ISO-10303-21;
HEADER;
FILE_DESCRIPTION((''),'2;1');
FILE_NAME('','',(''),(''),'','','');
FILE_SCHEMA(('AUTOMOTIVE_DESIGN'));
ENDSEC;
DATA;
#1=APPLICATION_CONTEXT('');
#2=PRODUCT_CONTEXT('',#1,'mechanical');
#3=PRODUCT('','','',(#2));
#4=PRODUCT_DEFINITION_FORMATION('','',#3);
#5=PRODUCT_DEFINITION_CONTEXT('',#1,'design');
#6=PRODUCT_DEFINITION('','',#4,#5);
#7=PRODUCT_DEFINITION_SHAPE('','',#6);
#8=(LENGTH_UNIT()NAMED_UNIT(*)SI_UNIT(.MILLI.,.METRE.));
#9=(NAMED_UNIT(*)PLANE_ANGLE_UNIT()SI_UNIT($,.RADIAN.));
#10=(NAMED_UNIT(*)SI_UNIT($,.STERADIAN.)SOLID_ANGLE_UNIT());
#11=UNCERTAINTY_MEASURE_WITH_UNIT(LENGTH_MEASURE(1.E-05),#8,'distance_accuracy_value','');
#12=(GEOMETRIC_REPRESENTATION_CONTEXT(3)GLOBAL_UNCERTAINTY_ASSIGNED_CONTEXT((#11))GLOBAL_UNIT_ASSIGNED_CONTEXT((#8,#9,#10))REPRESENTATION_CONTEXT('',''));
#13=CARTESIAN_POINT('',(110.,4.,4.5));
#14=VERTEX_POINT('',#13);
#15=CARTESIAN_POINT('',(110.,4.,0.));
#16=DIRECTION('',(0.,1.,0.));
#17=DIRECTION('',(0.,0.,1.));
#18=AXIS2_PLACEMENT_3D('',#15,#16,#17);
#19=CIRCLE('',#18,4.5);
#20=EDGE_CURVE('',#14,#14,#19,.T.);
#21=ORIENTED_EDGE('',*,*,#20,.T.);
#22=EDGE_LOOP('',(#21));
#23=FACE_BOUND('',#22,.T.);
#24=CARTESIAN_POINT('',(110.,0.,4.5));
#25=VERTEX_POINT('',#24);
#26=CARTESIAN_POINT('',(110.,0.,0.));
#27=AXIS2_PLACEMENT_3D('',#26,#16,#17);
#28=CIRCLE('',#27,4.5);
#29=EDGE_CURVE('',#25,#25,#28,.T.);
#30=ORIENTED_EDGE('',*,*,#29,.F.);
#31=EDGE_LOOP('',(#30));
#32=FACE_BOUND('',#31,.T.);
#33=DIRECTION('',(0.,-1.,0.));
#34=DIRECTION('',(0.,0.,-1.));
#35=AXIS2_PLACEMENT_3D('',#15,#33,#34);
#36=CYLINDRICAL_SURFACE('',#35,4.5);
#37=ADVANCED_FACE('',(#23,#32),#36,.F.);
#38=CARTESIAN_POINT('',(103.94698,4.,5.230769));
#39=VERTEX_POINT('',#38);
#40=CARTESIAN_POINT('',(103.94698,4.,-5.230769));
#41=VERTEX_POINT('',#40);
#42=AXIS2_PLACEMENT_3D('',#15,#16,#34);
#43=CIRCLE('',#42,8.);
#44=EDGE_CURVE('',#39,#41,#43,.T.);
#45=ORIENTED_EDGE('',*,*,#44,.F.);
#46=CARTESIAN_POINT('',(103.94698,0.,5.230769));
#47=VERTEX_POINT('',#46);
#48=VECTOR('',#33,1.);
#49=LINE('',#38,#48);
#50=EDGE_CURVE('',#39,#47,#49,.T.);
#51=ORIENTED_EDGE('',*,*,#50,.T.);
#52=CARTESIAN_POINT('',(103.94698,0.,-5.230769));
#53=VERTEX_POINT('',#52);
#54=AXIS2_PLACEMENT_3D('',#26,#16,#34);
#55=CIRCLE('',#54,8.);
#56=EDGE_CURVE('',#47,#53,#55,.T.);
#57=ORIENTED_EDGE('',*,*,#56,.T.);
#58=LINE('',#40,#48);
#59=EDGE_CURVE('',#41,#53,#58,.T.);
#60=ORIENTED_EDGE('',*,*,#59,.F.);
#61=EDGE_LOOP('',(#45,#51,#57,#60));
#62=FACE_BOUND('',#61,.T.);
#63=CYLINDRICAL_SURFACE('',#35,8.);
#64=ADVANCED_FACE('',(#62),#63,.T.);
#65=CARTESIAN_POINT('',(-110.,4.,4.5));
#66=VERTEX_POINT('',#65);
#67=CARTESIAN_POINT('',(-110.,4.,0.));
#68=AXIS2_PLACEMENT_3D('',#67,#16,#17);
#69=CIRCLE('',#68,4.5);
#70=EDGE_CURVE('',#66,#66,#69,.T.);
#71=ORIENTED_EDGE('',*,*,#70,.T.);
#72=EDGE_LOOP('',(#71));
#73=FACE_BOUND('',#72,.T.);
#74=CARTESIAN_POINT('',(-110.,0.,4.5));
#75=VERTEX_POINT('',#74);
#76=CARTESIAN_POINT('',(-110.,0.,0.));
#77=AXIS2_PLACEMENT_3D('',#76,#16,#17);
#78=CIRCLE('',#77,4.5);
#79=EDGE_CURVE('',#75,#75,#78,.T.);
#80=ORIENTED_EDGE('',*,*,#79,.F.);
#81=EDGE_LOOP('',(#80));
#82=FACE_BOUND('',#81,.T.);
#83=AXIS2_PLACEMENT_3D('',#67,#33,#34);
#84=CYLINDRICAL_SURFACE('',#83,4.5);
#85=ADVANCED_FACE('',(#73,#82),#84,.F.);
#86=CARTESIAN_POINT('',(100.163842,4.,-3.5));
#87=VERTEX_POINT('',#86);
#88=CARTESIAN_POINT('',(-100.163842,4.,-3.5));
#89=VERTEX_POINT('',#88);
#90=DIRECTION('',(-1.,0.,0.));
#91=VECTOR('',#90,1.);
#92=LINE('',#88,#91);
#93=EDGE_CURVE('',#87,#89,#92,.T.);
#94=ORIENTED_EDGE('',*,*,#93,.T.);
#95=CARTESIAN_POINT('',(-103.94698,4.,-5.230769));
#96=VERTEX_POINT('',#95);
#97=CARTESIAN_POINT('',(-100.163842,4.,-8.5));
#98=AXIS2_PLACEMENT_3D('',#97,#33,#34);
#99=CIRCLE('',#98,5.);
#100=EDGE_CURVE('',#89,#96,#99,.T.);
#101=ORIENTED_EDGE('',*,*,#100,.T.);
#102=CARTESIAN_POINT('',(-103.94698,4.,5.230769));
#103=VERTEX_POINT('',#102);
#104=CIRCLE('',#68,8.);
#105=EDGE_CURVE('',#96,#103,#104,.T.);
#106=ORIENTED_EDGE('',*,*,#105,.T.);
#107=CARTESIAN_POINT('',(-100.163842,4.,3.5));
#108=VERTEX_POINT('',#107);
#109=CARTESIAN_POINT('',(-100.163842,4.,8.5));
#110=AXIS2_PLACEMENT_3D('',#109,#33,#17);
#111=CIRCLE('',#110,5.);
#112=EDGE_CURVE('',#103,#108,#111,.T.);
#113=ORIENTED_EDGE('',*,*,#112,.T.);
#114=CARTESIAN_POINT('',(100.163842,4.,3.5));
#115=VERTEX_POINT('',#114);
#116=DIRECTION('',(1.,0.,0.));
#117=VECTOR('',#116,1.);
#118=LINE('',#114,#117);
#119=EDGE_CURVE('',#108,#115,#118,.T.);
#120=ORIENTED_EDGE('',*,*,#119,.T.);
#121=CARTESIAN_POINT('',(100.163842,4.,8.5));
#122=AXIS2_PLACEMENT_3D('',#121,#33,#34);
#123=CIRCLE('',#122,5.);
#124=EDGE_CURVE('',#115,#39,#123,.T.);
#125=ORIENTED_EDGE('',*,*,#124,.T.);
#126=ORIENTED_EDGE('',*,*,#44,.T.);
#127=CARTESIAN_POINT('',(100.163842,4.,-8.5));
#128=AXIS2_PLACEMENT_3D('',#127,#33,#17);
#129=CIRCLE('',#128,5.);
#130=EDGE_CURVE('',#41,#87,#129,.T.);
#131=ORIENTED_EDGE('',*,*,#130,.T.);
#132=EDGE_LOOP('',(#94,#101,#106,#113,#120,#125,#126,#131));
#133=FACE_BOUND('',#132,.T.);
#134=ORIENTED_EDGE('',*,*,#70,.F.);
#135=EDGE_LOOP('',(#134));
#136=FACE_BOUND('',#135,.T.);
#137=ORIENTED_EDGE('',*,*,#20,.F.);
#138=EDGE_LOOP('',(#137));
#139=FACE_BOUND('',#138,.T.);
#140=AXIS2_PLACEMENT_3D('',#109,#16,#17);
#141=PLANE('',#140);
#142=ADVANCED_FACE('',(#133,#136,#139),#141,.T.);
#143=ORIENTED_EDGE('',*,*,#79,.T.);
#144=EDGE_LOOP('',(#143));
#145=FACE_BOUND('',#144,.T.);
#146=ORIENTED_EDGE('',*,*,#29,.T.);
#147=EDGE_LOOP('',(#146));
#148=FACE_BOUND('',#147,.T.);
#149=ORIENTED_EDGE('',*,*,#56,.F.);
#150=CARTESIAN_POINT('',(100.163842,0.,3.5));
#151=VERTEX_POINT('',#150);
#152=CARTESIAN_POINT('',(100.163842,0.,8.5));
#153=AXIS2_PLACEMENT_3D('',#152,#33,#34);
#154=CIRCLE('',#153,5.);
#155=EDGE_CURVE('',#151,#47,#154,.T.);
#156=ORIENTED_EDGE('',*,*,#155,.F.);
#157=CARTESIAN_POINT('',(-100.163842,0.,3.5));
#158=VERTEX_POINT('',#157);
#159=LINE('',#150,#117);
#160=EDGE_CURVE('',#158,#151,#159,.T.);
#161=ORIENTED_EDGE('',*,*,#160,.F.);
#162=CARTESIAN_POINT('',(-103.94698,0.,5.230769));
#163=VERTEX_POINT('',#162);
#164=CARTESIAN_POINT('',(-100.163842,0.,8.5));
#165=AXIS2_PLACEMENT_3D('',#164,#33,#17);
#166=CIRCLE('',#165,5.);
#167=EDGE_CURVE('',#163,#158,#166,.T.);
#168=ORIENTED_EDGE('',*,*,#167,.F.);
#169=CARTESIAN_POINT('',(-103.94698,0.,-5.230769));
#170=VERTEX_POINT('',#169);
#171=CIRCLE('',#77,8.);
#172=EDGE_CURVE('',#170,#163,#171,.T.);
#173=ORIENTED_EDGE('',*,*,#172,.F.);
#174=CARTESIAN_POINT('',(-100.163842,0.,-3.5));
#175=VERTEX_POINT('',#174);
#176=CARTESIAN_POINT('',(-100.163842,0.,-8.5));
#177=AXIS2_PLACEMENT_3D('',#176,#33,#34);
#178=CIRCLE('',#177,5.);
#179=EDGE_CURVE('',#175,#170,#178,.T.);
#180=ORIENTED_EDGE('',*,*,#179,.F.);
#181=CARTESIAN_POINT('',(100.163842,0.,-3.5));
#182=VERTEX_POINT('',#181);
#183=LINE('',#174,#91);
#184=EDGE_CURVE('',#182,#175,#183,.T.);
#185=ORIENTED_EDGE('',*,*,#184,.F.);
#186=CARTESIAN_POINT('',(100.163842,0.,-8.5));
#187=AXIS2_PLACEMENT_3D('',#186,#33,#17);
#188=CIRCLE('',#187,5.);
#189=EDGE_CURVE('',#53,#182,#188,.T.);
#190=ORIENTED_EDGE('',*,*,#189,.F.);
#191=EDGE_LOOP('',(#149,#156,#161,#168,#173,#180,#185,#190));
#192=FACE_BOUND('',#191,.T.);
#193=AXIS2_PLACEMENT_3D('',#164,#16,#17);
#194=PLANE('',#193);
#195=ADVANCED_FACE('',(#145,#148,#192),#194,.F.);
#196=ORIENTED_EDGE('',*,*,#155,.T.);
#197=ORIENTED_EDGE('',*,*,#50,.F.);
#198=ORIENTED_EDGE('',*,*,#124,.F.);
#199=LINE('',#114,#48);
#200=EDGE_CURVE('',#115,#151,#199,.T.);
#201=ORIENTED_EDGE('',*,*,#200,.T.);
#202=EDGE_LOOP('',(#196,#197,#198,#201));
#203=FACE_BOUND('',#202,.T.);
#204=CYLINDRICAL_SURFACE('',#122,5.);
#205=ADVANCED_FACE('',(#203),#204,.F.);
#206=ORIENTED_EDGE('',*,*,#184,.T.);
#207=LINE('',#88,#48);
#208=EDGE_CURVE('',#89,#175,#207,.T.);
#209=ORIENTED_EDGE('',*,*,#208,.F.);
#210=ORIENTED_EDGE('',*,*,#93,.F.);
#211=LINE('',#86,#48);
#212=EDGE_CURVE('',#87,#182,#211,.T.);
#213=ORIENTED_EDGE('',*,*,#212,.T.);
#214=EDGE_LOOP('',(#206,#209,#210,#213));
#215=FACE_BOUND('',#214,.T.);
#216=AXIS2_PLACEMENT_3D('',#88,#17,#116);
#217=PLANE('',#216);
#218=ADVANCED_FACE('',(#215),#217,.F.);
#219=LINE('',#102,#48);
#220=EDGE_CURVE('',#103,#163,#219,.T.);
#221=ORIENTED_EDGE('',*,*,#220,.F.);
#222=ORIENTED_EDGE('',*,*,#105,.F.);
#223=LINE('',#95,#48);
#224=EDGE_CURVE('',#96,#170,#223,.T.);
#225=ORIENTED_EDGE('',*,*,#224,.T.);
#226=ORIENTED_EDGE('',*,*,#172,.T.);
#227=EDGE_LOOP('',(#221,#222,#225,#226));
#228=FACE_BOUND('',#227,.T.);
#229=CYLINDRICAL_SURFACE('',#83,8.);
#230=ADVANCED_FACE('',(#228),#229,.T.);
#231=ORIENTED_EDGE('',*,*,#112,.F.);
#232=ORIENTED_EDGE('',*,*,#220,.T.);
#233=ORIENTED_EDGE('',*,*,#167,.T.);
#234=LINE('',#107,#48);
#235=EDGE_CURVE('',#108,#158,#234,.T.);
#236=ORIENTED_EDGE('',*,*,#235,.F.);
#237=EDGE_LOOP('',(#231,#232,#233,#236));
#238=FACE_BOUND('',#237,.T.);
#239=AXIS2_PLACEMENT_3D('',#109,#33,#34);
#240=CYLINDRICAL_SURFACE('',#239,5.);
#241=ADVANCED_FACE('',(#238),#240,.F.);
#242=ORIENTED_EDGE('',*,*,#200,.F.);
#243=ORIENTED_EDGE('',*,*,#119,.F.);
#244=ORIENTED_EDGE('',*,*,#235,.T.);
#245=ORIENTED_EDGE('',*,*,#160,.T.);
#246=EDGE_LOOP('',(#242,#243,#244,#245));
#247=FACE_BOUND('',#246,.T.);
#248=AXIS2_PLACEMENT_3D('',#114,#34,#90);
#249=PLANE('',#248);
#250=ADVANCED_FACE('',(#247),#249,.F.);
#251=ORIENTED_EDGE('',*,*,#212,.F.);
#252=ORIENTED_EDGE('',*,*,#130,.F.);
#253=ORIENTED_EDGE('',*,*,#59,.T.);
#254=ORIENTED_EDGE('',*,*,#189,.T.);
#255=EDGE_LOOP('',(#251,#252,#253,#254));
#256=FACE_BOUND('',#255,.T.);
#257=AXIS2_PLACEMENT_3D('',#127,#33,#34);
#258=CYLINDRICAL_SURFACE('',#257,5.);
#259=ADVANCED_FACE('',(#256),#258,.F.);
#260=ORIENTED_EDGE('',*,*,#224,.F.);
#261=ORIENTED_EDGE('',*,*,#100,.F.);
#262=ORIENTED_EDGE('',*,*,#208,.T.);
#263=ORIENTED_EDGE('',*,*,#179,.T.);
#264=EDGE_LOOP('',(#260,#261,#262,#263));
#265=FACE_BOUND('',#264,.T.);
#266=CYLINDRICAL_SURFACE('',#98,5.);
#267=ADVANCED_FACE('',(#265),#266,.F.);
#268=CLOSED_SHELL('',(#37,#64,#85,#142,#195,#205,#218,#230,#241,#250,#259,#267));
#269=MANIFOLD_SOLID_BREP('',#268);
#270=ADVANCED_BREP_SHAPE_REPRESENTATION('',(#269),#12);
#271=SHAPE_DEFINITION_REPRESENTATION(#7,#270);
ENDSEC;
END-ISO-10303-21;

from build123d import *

# Parameters (mm, degrees)
SKETCH_1_R      = 4.5
EXTRUDE_1_DEPTH = 4


with BuildPart() as part:
    # 草图1 → 凸台-拉伸1 (new body)
    with BuildSketch(Plane(origin=(0, 0, 0), x_dir=(1, 0, 0), z_dir=(0, 1, 0))):
        with BuildLine():
            Line((-100.163842214, 3.5), (100.163842214, 3.5))
            ThreePointArc((100.163842214, 3.5), (102.243967949, 3.953234455), (103.946979824, 5.230769231))
            ThreePointArc((103.946979824, 5.230769231), (118, 0), (103.946979824, -5.230769231))
            ThreePointArc((103.946979824, -5.230769231), (102.243967949, -3.953234455), (100.163842214, -3.5))
            Line((100.163842214, -3.5), (-100.163842214, -3.5))
            ThreePointArc((-100.163842214, -3.5), (-102.243967949, -3.953234455), (-103.946979824, -5.230769231))
            ThreePointArc((-103.946979824, -5.230769231), (-118, 0), (-103.946979824, 5.230769231))
            ThreePointArc((-103.946979824, 5.230769231), (-102.243967949, 3.953234455), (-100.163842214, 3.5))
        make_face()
        with Locations(Location((110, 0, 0), (0, 0, 270))):
            Circle(SKETCH_1_R, mode=Mode.SUBTRACT)
        with Locations(Location((-110, 0, 0), (0, 0, 270))):
            Circle(SKETCH_1_R, mode=Mode.SUBTRACT)
    extrude(amount=EXTRUDE_1_DEPTH)


solid = part.part
